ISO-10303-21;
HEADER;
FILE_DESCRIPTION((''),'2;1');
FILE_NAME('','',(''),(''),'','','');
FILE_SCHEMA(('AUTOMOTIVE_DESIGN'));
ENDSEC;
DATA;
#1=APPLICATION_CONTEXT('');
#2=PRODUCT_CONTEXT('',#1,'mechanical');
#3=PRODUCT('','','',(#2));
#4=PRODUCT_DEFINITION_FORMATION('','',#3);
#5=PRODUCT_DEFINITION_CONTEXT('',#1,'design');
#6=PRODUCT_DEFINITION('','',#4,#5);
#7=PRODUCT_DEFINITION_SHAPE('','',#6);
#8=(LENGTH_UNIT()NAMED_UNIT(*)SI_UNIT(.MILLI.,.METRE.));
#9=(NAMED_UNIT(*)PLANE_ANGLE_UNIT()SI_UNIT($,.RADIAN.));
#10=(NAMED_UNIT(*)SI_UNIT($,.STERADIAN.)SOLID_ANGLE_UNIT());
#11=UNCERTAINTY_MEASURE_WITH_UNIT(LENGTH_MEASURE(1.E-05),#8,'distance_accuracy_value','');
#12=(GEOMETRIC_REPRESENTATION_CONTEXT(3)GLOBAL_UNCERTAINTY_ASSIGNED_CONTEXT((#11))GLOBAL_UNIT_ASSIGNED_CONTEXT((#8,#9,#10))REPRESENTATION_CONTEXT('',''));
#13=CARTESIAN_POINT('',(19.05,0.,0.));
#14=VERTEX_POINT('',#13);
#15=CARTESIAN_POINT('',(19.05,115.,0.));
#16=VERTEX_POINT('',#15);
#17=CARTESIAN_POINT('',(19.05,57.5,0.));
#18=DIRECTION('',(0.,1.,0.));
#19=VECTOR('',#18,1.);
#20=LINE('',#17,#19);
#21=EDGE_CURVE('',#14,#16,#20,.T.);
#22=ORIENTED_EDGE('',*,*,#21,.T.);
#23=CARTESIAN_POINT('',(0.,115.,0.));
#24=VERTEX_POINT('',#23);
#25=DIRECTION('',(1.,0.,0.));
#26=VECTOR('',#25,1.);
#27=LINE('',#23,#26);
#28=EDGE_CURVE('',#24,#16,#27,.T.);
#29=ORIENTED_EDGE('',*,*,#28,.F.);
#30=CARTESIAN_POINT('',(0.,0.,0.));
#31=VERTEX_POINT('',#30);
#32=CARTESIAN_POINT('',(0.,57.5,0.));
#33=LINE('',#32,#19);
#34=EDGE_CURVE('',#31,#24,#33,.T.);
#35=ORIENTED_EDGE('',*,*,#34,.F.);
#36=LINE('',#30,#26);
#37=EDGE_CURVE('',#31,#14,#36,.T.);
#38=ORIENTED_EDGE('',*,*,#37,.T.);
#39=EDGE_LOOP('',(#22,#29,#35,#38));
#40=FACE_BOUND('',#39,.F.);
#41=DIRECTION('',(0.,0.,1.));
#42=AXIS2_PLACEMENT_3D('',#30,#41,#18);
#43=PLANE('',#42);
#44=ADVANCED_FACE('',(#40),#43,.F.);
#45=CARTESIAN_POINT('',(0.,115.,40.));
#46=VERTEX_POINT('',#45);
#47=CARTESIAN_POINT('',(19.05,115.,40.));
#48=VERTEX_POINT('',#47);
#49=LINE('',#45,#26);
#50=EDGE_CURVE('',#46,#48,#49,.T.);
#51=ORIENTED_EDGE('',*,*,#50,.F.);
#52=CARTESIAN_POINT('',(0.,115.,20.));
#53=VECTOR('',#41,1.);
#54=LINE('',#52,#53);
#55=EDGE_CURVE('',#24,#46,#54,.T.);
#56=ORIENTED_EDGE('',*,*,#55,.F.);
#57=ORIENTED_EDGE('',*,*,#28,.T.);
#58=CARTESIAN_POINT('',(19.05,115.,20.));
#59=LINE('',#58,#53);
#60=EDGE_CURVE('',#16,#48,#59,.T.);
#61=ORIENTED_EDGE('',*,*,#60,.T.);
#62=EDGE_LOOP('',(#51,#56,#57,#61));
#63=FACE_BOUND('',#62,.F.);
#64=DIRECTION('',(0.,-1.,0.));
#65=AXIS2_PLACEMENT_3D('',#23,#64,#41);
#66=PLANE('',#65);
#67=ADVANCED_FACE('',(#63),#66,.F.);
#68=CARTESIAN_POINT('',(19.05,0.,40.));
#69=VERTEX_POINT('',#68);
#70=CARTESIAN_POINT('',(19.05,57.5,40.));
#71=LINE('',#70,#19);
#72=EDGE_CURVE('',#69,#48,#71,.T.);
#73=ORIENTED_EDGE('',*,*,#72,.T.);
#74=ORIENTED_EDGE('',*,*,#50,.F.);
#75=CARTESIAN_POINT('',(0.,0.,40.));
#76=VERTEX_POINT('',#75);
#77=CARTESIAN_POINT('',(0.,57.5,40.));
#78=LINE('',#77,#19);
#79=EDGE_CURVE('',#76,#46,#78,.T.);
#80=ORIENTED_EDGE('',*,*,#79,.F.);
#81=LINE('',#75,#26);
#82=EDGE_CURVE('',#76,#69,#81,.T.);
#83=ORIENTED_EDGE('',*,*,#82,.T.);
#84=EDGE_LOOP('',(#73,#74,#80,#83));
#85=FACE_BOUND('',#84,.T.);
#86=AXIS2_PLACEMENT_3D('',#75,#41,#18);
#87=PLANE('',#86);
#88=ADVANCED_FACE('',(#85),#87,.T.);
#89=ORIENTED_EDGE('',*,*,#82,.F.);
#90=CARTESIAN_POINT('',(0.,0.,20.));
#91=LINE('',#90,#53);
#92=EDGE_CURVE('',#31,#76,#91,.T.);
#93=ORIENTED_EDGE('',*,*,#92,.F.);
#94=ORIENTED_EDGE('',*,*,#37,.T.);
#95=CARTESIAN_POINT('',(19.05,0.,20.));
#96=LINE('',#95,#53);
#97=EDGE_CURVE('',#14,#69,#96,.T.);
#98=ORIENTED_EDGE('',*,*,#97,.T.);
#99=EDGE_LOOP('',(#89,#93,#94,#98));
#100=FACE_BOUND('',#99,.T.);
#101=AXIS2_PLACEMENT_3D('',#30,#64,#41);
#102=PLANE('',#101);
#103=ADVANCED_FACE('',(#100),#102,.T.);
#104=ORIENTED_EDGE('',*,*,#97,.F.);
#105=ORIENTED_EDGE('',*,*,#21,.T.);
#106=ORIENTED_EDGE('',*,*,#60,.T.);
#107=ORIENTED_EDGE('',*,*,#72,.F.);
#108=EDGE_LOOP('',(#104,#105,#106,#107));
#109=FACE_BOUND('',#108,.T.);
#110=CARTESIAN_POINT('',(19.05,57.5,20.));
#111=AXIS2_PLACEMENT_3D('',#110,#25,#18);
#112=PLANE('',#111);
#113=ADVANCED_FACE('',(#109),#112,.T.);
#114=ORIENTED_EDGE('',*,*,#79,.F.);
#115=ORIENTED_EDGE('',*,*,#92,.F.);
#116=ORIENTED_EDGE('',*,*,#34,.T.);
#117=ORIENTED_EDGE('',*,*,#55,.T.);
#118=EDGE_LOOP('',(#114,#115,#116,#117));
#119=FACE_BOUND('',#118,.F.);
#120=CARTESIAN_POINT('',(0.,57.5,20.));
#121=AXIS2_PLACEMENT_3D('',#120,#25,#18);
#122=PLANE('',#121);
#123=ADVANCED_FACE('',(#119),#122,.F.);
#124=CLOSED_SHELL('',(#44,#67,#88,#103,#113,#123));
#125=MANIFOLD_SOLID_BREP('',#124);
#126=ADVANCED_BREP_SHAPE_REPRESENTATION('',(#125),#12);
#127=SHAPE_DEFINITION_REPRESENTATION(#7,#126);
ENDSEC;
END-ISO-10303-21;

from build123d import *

# Parameters (mm, degrees)
SKETCH_W  = 115
SKETCH_H  = 40
PAD_DEPTH = 19.05


with BuildPart() as part:
    # Sketch → Pad (new body)
    with BuildSketch(Plane.YZ):
        with Locations((57.5, 20)):
            Rectangle(SKETCH_W, SKETCH_H)
    extrude(amount=PAD_DEPTH)


solid = part.part
